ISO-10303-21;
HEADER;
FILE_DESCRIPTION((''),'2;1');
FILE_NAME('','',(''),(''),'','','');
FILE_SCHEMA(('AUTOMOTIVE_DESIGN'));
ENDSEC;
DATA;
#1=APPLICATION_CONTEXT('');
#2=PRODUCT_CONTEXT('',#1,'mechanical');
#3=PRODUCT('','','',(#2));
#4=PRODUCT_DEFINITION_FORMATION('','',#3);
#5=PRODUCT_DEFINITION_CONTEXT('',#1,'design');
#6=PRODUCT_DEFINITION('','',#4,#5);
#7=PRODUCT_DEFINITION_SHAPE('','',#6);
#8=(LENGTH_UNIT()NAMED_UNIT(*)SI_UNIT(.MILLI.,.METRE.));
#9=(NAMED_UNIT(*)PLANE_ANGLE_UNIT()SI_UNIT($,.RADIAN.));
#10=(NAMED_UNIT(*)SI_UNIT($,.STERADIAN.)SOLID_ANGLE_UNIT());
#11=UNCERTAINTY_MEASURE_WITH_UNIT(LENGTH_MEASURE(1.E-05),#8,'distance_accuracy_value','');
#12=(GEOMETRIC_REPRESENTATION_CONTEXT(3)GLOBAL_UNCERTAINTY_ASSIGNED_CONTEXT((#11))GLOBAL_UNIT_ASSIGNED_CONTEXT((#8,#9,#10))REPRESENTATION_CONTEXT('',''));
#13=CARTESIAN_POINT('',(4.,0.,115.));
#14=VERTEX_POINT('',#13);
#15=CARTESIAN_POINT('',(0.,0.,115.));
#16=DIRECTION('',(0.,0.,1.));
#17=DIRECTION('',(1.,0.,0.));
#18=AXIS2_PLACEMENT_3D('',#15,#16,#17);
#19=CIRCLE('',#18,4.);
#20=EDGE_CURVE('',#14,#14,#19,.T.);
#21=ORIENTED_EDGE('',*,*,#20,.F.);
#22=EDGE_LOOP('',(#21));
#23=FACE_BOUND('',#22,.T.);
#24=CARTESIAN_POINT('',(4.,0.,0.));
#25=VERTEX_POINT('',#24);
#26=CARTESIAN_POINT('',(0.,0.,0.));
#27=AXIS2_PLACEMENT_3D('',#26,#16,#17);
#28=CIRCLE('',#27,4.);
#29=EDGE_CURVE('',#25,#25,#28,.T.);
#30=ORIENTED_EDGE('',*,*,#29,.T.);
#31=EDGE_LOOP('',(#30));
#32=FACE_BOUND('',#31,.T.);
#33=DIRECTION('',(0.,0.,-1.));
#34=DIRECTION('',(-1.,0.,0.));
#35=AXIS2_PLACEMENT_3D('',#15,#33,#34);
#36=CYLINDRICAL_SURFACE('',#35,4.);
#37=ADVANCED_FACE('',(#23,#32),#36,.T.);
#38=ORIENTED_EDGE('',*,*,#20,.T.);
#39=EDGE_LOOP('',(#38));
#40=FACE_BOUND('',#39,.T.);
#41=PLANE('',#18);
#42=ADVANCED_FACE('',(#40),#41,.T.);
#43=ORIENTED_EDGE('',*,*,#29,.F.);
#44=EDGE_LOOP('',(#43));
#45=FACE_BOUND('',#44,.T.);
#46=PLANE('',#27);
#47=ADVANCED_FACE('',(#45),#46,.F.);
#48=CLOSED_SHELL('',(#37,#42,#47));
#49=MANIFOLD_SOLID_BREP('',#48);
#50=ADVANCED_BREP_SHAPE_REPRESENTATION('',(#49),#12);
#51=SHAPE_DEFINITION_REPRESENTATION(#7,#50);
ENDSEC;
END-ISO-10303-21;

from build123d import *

# Parameters (mm, degrees)
SKETCH1_R           = 4
BOSS_EXTRUDE1_DEPTH = 115


with BuildPart() as part:
    # Sketch1 → Boss-Extrude1 (new body)
    with BuildSketch(Plane.XY):
        Circle(SKETCH1_R)
    extrude(amount=BOSS_EXTRUDE1_DEPTH)


solid = part.part
